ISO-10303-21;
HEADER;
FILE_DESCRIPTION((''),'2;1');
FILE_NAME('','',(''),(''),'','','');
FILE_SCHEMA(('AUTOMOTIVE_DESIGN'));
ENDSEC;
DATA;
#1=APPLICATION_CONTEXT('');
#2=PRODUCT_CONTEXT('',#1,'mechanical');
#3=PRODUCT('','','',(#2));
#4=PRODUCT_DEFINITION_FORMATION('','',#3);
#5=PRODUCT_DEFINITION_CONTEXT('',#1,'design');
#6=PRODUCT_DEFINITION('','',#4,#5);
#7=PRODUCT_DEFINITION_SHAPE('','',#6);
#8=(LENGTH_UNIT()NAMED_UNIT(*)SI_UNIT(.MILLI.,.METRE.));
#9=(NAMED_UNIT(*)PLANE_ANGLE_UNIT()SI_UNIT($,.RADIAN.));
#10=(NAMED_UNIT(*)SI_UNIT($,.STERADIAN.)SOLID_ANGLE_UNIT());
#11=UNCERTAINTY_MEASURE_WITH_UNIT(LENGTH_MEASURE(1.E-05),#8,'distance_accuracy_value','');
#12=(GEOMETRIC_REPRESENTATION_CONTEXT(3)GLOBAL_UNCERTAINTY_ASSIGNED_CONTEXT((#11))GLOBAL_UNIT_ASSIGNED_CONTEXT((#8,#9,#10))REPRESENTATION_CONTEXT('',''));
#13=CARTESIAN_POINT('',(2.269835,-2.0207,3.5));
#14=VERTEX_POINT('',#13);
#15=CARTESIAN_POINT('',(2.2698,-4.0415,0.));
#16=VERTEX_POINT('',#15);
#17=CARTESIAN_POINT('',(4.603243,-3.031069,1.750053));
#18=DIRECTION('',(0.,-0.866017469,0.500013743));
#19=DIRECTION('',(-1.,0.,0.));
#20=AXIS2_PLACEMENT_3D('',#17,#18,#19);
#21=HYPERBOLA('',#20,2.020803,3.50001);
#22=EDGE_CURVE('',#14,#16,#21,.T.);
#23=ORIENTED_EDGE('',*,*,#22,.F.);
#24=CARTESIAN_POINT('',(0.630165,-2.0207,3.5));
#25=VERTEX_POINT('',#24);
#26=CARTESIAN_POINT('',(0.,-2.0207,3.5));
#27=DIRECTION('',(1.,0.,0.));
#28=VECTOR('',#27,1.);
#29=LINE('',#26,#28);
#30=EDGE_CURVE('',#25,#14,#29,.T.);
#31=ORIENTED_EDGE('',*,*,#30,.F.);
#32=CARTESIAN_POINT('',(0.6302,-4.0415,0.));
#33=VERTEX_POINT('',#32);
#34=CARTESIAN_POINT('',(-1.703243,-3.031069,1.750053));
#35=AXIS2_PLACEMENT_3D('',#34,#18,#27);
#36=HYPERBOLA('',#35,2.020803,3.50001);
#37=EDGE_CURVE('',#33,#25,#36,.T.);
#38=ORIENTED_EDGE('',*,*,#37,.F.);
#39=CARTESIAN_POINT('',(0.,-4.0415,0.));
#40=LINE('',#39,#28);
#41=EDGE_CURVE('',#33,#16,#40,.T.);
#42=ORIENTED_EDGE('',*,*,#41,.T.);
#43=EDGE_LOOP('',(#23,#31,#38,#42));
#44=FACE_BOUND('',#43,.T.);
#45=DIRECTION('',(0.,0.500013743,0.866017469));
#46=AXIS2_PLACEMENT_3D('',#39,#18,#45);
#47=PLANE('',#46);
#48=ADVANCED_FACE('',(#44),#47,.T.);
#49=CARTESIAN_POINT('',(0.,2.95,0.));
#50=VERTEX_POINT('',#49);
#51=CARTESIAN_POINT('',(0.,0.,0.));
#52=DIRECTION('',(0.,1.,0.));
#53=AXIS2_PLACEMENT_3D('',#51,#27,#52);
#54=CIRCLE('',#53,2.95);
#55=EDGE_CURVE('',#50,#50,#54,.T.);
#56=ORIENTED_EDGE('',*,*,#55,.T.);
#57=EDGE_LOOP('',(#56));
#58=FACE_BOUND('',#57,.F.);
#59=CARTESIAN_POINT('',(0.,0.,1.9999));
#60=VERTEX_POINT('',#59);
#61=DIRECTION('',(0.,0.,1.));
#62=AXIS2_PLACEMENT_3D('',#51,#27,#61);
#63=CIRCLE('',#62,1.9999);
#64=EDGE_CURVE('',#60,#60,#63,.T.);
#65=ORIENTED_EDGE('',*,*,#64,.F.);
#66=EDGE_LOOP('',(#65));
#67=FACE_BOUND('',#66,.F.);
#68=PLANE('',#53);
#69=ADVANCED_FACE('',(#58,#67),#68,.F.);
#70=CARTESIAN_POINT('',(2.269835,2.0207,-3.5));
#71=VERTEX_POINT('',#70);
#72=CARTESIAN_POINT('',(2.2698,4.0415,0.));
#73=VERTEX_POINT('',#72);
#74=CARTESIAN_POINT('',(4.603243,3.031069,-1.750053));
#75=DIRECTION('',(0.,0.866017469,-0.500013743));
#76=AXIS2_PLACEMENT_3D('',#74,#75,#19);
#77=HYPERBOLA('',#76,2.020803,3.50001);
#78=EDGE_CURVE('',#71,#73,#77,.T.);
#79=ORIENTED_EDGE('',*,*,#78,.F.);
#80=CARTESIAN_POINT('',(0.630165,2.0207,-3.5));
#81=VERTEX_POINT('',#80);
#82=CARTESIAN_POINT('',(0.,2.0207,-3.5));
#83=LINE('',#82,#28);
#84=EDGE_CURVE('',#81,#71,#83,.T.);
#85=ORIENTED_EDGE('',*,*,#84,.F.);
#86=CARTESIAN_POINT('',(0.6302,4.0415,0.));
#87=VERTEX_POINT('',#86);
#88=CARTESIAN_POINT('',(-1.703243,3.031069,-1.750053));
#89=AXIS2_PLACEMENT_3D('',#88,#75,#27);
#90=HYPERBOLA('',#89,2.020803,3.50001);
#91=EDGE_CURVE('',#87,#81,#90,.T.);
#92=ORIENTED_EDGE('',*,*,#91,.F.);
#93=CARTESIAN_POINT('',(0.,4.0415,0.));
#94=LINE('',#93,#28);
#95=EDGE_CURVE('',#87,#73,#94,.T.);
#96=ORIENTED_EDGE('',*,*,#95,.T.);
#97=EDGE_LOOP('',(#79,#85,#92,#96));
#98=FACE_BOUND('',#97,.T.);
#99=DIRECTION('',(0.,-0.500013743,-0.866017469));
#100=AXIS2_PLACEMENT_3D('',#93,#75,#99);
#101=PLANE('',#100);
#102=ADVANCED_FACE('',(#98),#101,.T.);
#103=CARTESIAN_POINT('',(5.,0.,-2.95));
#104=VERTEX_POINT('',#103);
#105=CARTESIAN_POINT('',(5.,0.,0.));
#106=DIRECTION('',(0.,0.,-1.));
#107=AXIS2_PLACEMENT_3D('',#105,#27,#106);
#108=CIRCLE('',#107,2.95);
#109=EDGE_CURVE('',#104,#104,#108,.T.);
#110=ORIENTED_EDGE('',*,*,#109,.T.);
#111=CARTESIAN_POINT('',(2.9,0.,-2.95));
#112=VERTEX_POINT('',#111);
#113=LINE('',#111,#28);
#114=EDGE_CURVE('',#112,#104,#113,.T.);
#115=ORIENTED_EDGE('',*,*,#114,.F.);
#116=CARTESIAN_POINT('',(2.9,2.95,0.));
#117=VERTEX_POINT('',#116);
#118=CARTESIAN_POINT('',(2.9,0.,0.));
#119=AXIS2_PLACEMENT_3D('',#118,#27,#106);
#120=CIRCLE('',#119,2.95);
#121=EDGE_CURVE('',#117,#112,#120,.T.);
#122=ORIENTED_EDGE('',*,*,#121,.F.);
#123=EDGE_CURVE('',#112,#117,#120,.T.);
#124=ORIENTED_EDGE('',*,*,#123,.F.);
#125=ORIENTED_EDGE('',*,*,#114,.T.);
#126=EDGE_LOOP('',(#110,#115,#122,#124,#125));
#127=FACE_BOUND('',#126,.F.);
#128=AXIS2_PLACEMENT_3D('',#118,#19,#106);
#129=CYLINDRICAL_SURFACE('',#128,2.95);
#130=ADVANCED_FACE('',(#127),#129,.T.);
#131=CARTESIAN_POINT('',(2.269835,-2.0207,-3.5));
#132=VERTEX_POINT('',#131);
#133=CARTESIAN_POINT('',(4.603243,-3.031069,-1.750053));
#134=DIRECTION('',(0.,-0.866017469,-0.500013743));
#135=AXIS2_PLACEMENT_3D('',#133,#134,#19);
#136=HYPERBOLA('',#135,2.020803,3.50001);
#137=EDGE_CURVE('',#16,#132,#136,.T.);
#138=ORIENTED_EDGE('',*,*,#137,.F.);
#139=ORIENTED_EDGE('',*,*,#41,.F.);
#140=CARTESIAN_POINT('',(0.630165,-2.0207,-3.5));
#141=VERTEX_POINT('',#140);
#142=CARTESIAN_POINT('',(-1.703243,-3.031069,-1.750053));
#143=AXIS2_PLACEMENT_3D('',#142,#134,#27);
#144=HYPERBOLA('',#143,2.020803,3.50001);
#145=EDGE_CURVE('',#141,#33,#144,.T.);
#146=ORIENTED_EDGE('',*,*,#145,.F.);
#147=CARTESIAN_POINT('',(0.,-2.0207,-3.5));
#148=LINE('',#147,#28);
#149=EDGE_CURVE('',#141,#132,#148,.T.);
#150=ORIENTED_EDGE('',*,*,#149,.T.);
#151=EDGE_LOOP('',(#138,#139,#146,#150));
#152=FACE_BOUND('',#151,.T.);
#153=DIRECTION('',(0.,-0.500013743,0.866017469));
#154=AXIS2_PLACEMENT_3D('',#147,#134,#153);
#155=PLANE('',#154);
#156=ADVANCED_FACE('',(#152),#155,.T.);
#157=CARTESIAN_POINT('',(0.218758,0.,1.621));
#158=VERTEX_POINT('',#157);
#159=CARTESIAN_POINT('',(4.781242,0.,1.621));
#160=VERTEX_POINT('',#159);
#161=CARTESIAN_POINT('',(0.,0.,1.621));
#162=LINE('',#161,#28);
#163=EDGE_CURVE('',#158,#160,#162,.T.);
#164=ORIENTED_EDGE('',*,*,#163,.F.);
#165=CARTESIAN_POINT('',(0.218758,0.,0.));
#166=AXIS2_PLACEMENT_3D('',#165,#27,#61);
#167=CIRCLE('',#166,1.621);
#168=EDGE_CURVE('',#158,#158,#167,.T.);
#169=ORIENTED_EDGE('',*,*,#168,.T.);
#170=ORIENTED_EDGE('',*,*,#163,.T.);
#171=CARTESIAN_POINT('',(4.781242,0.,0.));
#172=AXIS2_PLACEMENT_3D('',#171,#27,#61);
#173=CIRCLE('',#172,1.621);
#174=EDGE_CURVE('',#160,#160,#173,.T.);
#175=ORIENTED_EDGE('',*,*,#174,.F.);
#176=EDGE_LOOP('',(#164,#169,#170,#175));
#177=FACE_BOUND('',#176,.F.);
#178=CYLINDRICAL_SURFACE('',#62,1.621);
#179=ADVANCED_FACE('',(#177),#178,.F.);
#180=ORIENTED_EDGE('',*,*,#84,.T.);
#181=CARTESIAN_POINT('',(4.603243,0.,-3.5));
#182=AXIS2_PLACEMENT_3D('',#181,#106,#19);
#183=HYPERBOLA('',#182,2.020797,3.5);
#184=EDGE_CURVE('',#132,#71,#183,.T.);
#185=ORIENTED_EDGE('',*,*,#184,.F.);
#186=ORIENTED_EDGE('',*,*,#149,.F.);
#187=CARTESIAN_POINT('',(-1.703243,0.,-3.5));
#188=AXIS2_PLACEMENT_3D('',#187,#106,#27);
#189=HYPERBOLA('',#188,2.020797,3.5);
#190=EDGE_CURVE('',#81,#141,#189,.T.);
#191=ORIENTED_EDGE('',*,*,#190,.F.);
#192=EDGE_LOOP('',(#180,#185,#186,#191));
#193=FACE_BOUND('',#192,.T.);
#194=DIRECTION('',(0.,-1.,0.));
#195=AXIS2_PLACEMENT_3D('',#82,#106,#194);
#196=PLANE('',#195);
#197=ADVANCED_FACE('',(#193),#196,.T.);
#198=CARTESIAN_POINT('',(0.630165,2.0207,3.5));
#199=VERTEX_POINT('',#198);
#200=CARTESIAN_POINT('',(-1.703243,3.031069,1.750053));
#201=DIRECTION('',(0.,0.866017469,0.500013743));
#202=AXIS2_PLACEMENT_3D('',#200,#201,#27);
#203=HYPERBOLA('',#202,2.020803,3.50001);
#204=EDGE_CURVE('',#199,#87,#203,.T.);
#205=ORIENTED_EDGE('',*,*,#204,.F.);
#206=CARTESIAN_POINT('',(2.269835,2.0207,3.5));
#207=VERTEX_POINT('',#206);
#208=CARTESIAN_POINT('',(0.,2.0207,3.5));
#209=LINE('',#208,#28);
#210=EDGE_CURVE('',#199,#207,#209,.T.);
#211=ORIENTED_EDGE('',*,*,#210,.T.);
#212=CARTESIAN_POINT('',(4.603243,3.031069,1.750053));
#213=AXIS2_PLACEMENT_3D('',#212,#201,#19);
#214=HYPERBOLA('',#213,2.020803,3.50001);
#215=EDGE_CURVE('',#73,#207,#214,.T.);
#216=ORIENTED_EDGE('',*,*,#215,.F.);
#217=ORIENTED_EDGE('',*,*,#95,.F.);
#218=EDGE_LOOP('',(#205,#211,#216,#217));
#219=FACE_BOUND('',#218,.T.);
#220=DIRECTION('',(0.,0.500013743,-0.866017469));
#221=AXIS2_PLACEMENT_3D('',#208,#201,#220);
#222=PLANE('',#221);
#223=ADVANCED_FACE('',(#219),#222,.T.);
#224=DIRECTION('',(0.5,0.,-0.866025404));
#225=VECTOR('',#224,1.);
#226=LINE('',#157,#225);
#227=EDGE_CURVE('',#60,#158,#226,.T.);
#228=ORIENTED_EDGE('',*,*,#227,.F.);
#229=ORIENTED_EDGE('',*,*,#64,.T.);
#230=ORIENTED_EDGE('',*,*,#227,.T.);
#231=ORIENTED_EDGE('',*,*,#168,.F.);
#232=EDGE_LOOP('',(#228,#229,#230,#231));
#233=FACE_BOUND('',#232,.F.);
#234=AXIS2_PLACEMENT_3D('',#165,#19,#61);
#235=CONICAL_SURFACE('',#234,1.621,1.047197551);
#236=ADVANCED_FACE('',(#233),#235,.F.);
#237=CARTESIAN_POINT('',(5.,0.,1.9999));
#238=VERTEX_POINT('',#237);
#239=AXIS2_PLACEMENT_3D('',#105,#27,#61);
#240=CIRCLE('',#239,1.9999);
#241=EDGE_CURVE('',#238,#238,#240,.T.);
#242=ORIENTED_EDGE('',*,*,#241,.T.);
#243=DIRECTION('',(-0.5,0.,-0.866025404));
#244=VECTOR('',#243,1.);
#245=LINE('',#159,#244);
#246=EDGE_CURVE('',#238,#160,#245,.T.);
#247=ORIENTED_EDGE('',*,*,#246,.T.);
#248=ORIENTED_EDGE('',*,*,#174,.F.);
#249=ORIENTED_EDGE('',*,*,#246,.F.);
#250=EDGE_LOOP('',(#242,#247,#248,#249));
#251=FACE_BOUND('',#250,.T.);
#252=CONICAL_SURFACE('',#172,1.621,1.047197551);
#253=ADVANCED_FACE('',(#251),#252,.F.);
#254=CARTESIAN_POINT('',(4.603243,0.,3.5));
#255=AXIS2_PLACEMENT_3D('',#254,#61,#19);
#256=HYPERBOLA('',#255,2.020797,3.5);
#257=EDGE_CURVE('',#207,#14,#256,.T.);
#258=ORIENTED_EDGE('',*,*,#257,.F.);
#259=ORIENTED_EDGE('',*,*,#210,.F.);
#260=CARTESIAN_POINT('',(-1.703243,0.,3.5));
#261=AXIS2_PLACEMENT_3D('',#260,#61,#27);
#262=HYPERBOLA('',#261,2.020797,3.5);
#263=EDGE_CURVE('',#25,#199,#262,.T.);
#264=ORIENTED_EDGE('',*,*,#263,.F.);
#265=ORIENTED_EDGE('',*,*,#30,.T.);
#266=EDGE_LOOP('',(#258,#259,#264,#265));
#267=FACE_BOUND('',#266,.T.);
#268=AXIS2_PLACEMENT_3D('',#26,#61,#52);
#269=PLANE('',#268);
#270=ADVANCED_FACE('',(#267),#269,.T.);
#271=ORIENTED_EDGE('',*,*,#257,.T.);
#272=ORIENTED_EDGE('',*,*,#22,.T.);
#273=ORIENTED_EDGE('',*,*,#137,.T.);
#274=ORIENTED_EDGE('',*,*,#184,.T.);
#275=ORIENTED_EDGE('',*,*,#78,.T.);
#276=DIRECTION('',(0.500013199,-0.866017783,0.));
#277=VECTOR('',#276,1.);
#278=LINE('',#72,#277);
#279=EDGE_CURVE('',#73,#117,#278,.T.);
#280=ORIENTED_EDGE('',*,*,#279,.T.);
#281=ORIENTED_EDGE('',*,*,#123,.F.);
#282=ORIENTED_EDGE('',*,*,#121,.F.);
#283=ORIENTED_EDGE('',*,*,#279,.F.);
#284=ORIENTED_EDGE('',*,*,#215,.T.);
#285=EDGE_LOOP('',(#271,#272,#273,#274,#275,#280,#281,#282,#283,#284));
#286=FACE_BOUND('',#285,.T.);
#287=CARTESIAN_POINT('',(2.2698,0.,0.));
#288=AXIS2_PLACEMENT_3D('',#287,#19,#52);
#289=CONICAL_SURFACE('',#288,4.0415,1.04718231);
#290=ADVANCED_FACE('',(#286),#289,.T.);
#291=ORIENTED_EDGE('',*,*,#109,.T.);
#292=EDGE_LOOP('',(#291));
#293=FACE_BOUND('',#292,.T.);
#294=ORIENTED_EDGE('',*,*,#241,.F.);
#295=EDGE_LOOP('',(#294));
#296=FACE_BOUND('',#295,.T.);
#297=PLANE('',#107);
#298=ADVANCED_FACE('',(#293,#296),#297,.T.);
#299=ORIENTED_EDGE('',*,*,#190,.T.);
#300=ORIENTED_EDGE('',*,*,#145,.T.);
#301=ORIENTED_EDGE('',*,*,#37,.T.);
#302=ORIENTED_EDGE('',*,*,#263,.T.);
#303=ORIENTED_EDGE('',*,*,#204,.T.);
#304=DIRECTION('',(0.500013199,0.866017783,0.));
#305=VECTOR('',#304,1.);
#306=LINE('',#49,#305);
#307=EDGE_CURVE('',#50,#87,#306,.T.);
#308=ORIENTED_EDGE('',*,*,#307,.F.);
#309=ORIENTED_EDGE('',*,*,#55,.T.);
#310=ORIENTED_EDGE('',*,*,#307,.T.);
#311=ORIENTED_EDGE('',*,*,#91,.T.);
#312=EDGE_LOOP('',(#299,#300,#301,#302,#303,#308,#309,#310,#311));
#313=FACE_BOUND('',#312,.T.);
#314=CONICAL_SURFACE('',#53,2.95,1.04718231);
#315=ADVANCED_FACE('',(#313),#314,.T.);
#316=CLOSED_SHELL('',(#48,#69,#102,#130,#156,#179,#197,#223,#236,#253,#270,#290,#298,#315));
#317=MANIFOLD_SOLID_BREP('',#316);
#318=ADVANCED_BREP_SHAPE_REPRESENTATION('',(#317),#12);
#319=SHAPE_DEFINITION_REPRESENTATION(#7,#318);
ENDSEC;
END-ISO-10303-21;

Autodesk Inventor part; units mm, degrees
ref_plane "YZ Plane" through (0, 0, 0) normal (1, 0, 0) x (0, 1, 0)
ref_plane "XZ Plane" through (0, 0, 0) normal (0, 1, 0) x (-1, 0, 0)
sketch "Skizze1" plane through (0, 0, 0) normal (1, 0, 0) x (0, 1, 0)
  line L0 (2.0207, -3.5) -> (-2.0207, -3.5)
  line L1 (-2.0207, -3.5) -> (-4.0415, 0)
  line L2 (-4.0415, 0) -> (-2.0207, 3.5)
  line L3 (-2.0207, 3.5) -> (2.0207, 3.5)
  line L4 (2.0207, 3.5) -> (4.0415, 0)
  line L5 (4.0415, 0) -> (2.0207, -3.5)
  point P0 (0, 0)
  point P1 (0, 0)
  dimension "d0" = 8.0829
extrude "Körper" add sketch "Skizze1" along normal blind 2.9
sketch "Skizze2" plane through (2.9, 0, 0) normal (1, 0, 0) x (0, 0, -1)
  circle A0 centre (0, 0) radius 2.95
  dimension "d7" = 5.9
extrude "Ring" add sketch "Skizze2" along normal blind 2.1
sketch "Skizze3" plane through (0, 0, 0) normal (0, 0, 1) x (1, 0, 0)
  line L0 (0, 2.0207) -> (0, 4.0415) projected
  line L1 (0, 4.0415) -> (2.9, 4.0415) projected
  line L2 (2.9, 2.0207) -> (2.9, 4.0415) projected
  line L3 (-0.58, 0) -> (3.48, 0) projected
  line L4 (0, 2.95) -> (0.6302, 4.0415)
  line L5 (2.2698, 4.0415) -> (2.9, 2.95)
  dimension "d3" = 30
  dimension "d4" = 30
  dimension "d5" = 5.9
  dimension "d6" = 5.9
revolve "Fase1" cut sketch "Skizze3" angle 360 about axis through (-10, 0, 0) along (1, 0, 0)
sketch "Skizze4" plane through (0, 0, 0) normal (-1, 0, 0) x (0, 0, 1)
  line L0 (0, -5.658) -> (0, 5.658) projected
  line L1 (-4.9, 0) -> (4.9, 0) projected
  point P0 (0, 0)
hole "Gewinde" at (0, 0, 0) direction (1, 0, 0) diameter 3.242 end through all thread size "M4x0.7" class "6H" standard "ISO Metric profile"
chamfer "Fase2" distance 0.3789 angle 30 1 edges at (0, 0, -1.621) measured on face at (0, 2.4745, -0.3005)
chamfer "Fase3" distance 0.3789 angle 30 1 edges at (5, 0, -1.621) measured on face at (5, -0.3646, -2.4627)
ref_plane "Work Plane1" through (11.804, 0, 0) normal (0, 0, 1) x (-1, 0, 0)
equation "\"d0\" = 1.1547 * SW"
equation "\"d1\" = KOH1"
equation "\"d7\" = SD2"
equation "\"d8\" = KOH - KOH1"
equation "\"d3\" = ANG1"
equation "\"d4\" = ANG2"
equation "\"d5\" = SW0"
equation "\"d6\" = SW01"
equation "\"d10\" = -0.5 * GD1 + 0.5 * NND"
equation "\"d46\" = -0.5 * GD1 + 0.5 * NND"
equation "\"d12\" = -0.5 * GD1 + 0.5 * NND"
equation "\"d47\" = -0.5 * GD1 + 0.5 * NND"
equation "\"ANG1\" = 30deg"
equation "\"ANG2\" = 30deg"
equation "\"NND\" = 4"
equation "\"KOH1\" = 2.9"
equation "\"KOH\" = 5"
equation "\"SW\" = 7"
equation "\"SW0\" = 5.9"
equation "\"SW01\" = SW0"
equation "\"SD2\" = SW0"
equation "\"GUL\" = 0.541266 * PTC"
equation "\"THREADDIA\" = 4"
equation "\"TOA\" = 30deg"
equation "\"PTC\" = 0.7"
equation "\"GAL\" = 0.541266 * PTC"
equation "\"E0\" = 1.155 * SW"
equation "\"GD1\" = 3.242228"
properties part number "DIN 985 - M4" material "Stahl, weich"
